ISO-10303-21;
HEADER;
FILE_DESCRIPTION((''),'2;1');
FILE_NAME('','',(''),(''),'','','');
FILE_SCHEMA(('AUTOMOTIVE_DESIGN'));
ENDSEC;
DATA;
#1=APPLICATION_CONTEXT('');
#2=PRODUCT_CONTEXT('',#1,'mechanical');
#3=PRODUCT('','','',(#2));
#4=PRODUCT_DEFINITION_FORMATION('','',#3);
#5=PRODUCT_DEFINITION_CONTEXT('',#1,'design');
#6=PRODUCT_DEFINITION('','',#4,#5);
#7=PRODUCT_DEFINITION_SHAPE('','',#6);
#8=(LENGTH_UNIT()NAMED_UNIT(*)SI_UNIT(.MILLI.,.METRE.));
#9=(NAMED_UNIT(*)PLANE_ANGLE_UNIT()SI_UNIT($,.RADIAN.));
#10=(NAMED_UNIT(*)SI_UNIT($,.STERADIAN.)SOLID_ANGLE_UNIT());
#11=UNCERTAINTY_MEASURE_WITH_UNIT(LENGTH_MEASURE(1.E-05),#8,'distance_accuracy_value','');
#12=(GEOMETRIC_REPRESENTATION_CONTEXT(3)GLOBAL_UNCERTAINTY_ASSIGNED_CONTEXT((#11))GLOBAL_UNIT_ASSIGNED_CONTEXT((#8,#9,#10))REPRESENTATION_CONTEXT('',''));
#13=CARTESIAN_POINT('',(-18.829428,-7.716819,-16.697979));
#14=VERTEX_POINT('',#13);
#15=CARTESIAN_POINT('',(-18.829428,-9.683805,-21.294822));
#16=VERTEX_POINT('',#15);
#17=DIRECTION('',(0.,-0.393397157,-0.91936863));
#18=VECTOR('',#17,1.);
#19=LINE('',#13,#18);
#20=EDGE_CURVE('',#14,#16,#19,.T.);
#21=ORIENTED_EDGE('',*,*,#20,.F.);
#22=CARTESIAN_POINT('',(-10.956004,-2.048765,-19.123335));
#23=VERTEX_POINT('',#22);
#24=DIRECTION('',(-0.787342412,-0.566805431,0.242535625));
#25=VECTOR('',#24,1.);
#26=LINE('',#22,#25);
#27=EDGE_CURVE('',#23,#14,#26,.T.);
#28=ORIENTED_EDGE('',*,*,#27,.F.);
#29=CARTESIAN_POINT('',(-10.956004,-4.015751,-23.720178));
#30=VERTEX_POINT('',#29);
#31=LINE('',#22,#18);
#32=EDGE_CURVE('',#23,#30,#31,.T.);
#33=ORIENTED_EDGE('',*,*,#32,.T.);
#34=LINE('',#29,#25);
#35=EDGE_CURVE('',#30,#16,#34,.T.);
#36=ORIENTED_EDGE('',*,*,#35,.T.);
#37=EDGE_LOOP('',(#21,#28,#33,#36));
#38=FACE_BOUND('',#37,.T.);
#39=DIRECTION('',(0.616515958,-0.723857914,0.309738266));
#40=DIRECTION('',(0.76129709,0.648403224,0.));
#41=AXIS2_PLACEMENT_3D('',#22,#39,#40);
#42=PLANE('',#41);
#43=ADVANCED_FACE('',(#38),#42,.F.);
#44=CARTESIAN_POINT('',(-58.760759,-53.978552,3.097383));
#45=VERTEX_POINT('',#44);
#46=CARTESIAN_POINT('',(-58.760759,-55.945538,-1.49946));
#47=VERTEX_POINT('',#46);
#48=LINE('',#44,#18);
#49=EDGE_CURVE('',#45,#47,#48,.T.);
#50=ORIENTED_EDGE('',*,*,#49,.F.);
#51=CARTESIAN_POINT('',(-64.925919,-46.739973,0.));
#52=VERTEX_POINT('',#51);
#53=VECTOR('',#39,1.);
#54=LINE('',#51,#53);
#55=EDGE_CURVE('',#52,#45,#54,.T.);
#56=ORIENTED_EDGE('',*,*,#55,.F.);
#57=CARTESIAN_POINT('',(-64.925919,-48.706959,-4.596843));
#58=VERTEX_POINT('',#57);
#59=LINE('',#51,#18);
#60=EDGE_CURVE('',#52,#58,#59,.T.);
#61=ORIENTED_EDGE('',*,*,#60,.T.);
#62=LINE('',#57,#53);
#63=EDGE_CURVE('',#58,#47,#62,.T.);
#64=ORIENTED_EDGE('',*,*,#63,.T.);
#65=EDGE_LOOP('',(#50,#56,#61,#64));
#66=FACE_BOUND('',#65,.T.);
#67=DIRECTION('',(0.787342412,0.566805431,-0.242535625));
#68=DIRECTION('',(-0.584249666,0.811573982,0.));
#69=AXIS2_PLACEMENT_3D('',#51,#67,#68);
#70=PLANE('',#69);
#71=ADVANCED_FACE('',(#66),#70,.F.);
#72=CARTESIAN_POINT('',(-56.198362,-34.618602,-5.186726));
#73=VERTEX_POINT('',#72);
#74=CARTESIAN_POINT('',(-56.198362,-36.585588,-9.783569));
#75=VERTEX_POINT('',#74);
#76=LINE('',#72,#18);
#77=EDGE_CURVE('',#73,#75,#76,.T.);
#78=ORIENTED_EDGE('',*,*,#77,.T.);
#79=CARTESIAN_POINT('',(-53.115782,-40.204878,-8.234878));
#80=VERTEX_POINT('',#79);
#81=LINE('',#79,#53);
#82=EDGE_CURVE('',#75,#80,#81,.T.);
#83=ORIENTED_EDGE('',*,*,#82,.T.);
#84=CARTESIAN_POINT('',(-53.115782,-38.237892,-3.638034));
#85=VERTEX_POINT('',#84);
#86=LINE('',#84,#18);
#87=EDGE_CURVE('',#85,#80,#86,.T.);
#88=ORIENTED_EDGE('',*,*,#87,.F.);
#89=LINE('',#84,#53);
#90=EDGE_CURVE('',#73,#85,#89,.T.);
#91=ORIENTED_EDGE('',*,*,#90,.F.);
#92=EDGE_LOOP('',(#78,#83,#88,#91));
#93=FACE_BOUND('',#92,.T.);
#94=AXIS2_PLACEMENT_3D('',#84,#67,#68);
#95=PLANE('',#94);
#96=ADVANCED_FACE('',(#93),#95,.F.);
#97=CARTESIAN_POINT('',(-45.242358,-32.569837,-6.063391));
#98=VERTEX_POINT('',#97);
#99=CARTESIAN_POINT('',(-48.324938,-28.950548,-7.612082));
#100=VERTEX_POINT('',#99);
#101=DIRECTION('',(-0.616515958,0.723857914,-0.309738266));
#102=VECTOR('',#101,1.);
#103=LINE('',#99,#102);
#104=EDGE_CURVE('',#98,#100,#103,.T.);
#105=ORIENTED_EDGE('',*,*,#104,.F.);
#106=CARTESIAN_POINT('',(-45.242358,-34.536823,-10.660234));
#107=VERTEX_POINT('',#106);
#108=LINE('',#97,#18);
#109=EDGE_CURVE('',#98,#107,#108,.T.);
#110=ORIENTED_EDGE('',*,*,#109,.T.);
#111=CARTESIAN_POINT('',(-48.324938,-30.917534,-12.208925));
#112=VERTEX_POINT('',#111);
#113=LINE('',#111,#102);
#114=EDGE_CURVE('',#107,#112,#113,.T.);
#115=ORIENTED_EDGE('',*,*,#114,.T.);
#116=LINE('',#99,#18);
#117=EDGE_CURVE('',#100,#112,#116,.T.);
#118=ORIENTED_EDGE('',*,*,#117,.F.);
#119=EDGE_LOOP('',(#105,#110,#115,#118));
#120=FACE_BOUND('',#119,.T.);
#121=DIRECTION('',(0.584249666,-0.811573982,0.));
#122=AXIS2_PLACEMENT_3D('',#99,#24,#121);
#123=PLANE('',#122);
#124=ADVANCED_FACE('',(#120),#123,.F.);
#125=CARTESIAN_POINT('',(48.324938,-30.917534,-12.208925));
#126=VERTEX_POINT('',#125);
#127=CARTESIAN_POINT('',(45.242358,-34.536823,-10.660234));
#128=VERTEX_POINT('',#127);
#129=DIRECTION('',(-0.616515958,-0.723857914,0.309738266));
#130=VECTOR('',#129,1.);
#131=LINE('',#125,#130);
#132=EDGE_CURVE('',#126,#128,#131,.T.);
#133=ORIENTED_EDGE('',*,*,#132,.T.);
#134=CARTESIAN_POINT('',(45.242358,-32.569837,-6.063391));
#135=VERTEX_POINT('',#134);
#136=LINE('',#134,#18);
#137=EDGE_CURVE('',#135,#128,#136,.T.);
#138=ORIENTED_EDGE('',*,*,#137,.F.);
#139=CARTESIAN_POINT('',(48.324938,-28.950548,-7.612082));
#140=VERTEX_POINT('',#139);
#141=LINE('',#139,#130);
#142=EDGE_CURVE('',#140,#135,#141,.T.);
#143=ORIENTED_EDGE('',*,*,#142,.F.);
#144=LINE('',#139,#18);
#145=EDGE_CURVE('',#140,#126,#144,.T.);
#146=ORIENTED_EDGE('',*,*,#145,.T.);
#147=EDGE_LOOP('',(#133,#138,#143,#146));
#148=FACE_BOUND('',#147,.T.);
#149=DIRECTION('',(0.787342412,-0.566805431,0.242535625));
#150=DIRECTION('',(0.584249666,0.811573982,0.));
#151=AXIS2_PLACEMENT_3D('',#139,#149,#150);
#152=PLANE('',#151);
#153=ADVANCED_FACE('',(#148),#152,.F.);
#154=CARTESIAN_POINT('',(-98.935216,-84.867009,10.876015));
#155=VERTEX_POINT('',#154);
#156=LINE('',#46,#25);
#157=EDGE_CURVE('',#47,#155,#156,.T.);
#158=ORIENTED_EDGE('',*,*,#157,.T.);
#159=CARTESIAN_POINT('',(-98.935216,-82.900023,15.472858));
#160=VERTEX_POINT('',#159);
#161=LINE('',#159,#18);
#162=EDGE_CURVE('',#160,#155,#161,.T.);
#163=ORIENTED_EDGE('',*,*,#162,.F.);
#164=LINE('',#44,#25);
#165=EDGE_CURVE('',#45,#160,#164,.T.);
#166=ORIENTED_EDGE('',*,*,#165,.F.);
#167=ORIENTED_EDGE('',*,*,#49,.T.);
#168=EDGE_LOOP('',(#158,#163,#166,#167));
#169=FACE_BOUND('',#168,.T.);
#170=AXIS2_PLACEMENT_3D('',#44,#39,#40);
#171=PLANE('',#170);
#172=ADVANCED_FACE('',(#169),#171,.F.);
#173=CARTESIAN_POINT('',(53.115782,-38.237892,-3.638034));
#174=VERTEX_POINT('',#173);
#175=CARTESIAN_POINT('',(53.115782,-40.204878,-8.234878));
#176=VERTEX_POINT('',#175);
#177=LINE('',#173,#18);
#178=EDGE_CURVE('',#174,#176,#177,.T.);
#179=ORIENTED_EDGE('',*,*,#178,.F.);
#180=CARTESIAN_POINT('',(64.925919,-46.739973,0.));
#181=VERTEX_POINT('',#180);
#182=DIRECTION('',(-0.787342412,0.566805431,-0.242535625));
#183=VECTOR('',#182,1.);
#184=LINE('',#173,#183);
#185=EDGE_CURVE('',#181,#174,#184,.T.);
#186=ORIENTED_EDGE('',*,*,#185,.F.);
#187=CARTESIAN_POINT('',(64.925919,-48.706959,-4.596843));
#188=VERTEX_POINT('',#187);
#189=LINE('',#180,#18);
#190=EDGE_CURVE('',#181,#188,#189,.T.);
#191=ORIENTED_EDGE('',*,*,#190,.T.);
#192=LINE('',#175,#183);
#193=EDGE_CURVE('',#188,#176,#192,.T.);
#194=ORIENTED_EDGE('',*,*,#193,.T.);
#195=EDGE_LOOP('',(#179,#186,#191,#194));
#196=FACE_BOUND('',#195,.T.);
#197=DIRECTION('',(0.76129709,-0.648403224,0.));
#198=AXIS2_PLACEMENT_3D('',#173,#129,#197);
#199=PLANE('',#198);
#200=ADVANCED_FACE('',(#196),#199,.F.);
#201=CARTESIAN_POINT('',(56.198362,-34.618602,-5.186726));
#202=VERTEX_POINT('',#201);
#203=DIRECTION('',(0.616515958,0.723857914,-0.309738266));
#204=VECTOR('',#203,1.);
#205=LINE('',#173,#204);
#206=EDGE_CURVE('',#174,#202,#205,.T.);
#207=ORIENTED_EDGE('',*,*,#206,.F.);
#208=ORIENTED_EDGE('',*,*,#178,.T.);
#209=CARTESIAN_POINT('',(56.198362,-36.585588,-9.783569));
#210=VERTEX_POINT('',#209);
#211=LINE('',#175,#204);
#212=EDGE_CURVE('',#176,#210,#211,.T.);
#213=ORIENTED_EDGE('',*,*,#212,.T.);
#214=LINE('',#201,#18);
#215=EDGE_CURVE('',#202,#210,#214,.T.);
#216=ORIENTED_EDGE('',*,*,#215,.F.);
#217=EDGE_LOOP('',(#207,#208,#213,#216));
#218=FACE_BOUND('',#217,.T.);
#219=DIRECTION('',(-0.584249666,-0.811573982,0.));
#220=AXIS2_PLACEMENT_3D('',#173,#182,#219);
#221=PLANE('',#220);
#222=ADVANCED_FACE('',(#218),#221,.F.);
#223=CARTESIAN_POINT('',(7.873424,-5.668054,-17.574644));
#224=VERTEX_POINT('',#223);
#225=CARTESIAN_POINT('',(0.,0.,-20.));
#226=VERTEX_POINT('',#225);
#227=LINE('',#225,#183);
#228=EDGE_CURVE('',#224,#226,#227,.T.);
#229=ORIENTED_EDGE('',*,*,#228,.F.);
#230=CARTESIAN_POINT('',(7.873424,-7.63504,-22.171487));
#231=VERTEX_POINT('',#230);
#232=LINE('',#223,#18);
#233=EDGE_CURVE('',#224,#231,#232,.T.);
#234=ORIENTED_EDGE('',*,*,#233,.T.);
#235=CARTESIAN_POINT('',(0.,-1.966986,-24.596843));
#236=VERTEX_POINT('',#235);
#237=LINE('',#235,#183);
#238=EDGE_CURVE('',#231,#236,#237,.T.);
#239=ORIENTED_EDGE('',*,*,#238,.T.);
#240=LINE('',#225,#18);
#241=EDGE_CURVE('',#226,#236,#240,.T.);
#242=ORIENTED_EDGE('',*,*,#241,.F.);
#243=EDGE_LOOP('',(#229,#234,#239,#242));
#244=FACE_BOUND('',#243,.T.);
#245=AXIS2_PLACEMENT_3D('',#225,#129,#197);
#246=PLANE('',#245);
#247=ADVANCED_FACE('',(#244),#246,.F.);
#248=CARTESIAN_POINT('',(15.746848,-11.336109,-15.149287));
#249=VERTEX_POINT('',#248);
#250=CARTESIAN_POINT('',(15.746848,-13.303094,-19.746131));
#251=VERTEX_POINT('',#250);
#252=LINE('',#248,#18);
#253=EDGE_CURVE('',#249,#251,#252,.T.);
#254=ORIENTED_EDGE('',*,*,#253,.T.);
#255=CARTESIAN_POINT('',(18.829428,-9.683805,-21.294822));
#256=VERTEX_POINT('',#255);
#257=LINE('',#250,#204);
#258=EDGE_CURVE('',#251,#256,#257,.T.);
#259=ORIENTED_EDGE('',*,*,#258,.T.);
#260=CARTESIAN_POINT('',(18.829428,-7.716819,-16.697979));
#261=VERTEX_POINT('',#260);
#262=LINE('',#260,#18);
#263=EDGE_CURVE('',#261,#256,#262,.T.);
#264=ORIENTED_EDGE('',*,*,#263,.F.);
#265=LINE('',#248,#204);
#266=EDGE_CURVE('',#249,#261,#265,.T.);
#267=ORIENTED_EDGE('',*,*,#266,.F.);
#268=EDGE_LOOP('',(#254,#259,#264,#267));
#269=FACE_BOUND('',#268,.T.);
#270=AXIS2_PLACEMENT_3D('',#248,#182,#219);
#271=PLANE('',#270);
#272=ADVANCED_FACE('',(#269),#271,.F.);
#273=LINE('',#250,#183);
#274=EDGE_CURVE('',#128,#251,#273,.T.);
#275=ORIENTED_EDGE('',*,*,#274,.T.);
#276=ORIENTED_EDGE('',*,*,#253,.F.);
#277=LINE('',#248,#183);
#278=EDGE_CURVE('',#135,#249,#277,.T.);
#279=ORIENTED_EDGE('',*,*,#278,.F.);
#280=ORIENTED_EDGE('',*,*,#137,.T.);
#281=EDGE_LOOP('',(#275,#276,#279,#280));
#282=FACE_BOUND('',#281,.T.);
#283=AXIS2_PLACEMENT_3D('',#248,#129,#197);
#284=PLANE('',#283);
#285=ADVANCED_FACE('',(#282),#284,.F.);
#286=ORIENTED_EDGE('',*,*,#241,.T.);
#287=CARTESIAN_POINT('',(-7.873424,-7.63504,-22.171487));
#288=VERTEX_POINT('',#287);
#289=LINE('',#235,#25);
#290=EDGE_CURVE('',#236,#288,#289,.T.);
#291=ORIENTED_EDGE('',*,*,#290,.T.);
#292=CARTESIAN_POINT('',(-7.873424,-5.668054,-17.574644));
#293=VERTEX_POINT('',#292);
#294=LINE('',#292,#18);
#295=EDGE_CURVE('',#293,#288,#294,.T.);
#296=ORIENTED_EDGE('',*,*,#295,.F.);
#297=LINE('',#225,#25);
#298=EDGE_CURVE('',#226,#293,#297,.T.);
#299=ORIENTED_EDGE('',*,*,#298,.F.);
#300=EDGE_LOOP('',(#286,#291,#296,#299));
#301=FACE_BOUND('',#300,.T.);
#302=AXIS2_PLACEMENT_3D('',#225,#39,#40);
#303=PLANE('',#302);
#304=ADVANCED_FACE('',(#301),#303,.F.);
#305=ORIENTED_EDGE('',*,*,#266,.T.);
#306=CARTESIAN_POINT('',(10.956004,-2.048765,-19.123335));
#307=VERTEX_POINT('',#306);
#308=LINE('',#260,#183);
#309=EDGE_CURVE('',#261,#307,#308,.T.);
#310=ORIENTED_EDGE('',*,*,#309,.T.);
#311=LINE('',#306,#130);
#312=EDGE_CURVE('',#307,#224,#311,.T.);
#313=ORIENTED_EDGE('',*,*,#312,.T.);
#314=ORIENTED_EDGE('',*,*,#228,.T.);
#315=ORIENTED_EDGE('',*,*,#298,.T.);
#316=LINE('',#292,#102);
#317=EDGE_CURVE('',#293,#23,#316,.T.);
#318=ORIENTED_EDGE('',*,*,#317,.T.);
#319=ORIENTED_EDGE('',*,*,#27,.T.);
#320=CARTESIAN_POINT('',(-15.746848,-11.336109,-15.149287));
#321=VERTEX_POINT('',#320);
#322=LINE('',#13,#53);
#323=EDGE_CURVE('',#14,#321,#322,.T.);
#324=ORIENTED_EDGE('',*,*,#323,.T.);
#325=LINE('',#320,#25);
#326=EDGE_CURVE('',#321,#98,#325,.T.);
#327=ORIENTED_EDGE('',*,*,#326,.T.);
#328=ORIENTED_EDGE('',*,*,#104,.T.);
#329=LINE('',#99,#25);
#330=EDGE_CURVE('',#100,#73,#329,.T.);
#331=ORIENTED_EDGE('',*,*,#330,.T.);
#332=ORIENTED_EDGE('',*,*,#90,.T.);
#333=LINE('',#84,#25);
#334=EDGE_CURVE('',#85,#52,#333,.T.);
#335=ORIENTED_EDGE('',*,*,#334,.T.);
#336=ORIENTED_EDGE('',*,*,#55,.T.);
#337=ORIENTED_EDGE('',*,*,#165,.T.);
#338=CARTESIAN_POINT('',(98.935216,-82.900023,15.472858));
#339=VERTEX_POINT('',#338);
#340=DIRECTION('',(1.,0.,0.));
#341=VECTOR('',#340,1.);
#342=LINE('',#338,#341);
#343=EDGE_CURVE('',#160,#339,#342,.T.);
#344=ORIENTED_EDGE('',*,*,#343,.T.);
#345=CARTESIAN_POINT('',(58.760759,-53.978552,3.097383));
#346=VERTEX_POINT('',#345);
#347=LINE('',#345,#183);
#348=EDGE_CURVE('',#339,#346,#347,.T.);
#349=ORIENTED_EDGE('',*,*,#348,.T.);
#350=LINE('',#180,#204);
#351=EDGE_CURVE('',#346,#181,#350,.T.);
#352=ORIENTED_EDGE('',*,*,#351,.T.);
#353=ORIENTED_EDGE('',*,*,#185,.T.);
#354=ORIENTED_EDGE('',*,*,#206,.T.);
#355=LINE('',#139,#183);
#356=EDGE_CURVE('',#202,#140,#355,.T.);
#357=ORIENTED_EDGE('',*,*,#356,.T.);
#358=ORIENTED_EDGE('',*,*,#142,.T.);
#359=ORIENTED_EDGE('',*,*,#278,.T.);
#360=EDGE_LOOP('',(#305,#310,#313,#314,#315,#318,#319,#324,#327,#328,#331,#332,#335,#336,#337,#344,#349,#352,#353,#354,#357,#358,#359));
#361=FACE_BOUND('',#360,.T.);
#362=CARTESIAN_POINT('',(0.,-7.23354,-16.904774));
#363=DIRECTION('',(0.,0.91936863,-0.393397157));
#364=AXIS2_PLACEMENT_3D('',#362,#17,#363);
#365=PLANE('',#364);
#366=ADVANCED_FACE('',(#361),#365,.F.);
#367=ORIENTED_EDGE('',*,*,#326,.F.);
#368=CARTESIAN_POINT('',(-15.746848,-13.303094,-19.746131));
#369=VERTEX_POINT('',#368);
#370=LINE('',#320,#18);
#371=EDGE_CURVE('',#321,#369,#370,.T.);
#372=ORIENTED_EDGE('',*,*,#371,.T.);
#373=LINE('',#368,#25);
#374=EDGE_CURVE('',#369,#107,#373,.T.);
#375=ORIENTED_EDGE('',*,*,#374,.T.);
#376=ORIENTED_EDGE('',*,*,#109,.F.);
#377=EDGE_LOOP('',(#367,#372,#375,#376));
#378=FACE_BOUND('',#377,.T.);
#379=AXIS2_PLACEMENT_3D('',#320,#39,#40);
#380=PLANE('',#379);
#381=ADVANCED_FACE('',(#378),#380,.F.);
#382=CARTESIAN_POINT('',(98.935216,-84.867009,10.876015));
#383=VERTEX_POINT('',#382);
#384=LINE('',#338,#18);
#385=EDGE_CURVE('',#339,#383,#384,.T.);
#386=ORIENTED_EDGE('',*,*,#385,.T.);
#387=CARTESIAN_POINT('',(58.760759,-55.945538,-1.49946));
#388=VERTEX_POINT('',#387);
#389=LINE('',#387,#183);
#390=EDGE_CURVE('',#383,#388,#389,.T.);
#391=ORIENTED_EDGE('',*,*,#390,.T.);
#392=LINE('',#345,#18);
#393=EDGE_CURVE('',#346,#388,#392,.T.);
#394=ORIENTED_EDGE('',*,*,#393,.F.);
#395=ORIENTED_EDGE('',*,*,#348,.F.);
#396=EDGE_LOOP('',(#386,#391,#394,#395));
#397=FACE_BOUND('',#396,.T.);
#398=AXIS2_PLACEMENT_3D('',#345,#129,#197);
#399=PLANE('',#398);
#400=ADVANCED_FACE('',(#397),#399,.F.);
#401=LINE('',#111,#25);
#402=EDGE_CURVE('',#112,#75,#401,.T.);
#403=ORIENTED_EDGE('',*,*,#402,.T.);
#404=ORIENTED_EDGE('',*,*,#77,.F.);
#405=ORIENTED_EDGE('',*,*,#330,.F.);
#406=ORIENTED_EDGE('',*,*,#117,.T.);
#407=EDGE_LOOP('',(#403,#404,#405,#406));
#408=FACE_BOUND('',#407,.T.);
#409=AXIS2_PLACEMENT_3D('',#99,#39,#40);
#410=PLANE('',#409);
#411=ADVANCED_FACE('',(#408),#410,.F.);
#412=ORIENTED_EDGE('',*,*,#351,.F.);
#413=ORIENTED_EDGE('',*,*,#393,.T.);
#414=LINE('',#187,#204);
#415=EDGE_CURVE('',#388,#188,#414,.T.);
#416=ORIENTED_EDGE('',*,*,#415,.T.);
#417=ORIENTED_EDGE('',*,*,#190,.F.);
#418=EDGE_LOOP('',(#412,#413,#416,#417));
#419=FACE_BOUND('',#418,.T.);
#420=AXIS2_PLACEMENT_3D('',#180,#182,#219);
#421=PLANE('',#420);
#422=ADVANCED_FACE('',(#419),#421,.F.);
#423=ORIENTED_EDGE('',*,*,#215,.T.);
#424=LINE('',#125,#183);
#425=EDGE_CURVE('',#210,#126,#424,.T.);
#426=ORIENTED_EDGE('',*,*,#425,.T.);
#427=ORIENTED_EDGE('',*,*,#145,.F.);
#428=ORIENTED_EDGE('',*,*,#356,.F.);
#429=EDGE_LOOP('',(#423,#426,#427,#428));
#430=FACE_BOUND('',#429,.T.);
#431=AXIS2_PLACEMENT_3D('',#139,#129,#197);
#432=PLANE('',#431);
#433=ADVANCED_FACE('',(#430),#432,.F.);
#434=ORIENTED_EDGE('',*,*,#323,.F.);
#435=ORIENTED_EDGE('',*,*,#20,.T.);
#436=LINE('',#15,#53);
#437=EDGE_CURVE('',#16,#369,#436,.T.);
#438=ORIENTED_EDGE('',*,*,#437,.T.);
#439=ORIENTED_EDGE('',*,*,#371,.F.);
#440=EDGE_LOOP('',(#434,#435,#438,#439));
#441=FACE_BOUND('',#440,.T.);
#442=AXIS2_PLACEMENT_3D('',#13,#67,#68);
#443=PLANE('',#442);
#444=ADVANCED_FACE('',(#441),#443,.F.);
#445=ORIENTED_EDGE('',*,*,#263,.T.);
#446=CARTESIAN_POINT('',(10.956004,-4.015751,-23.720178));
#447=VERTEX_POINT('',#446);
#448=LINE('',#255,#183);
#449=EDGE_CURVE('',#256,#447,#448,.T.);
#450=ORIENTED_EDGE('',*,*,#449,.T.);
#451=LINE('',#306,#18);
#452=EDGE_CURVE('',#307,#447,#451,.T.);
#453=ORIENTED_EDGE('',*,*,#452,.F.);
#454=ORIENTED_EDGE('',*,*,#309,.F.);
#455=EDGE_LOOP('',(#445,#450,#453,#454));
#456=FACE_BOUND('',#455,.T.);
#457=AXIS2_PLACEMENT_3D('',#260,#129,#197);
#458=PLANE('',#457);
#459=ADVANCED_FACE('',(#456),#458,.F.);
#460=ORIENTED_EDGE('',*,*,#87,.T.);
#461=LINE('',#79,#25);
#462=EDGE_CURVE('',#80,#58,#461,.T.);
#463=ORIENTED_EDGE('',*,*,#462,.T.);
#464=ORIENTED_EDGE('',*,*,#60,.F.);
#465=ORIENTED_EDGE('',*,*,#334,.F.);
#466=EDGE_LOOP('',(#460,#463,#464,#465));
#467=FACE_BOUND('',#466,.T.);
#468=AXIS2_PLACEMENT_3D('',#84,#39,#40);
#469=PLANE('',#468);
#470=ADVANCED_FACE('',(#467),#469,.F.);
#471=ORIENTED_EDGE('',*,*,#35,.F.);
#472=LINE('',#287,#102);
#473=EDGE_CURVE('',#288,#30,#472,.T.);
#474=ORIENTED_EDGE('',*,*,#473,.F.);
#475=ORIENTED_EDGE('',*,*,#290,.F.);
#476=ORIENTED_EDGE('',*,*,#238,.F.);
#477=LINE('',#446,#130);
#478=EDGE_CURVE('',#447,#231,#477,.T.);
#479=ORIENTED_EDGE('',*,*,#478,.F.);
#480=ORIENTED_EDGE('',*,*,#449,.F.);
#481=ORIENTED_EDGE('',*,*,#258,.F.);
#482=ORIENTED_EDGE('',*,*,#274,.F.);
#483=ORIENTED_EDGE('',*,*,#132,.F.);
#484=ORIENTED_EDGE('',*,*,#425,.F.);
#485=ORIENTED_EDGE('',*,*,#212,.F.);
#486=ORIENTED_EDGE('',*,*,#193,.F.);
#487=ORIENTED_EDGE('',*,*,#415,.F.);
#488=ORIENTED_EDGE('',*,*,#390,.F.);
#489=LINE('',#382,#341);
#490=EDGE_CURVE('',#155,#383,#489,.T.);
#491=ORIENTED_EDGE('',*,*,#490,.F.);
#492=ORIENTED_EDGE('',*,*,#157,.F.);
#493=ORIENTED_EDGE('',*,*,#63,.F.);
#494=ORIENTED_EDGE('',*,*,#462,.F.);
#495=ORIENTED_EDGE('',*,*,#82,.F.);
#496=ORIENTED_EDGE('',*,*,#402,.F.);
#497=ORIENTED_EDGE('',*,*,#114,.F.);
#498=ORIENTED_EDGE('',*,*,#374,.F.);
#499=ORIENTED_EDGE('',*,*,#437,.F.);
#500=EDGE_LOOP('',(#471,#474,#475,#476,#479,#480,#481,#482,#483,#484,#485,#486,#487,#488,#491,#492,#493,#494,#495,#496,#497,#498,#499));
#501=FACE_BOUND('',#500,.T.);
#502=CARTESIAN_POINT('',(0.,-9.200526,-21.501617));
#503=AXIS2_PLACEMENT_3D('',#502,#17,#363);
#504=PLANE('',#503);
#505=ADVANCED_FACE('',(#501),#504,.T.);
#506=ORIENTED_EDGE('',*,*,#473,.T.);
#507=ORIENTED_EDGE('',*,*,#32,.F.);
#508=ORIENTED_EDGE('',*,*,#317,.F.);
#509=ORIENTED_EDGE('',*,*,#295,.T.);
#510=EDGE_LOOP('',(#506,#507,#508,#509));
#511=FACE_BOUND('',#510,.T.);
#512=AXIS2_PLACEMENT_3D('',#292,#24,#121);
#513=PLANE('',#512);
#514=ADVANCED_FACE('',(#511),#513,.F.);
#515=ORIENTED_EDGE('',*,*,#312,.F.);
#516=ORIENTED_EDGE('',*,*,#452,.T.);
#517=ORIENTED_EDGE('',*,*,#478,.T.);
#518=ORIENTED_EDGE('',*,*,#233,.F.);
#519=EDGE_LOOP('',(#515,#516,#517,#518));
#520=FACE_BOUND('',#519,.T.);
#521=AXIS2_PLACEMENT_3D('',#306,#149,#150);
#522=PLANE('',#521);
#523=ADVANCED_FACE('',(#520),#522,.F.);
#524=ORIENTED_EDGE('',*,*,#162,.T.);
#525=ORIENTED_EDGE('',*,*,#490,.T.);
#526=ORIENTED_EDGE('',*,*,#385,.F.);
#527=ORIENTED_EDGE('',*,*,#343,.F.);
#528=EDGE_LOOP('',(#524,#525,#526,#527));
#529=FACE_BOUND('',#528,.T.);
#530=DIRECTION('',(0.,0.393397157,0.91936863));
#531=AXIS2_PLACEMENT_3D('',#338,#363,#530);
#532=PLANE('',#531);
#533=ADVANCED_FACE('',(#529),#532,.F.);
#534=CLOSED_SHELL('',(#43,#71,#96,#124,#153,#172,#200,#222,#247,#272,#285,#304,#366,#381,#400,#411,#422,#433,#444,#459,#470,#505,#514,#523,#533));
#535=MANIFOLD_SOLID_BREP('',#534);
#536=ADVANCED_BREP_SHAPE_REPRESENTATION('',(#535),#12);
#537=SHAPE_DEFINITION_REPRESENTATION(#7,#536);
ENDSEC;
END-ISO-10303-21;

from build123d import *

# Parameters (mm, degrees)
BOSS_EXTRU_2_DEPTH = 5


with BuildPart() as part:
    # Esquisse3D1 → Boss.-Extru.2 (new body)
    with BuildSketch(Plane(origin=(0, 0, -20), x_dir=(0.7390861395742666, -0.6192967529535458, 0.2649966227528242), z_dir=(0, -0.3933971568972805, -0.9193686295198116))):
        Polygon((0, 0), (-1.66621979, 9.860208497), (-6.596324039, 9.027098602), (-8.262543829, 18.887307099), (-3.332439581, 19.720416995), (-9.574450906, 56.658841007), (-14.504555155, 55.825731112), (-16.170774945, 65.685939609), (-11.240670697, 66.519049504), (-13.740000382, 81.30936225), (-3.879791885, 82.97558204), (-12.381743978, 133.287684178), (133.861549138, 0), (82.978733138, 3.811803622), (82.231692627, -6.160253863), (67.2736064, -5.039693097), (66.900086145, -10.025721839), (56.928028661, -9.278681329), (57.301548916, -4.292652586), (19.944114969, -1.494081021), (19.570594714, -6.480109763), (9.598537229, -5.733069253), (9.972057485, -0.74704051), align=None)
    extrude(amount=BOSS_EXTRU_2_DEPTH)


solid = part.part
